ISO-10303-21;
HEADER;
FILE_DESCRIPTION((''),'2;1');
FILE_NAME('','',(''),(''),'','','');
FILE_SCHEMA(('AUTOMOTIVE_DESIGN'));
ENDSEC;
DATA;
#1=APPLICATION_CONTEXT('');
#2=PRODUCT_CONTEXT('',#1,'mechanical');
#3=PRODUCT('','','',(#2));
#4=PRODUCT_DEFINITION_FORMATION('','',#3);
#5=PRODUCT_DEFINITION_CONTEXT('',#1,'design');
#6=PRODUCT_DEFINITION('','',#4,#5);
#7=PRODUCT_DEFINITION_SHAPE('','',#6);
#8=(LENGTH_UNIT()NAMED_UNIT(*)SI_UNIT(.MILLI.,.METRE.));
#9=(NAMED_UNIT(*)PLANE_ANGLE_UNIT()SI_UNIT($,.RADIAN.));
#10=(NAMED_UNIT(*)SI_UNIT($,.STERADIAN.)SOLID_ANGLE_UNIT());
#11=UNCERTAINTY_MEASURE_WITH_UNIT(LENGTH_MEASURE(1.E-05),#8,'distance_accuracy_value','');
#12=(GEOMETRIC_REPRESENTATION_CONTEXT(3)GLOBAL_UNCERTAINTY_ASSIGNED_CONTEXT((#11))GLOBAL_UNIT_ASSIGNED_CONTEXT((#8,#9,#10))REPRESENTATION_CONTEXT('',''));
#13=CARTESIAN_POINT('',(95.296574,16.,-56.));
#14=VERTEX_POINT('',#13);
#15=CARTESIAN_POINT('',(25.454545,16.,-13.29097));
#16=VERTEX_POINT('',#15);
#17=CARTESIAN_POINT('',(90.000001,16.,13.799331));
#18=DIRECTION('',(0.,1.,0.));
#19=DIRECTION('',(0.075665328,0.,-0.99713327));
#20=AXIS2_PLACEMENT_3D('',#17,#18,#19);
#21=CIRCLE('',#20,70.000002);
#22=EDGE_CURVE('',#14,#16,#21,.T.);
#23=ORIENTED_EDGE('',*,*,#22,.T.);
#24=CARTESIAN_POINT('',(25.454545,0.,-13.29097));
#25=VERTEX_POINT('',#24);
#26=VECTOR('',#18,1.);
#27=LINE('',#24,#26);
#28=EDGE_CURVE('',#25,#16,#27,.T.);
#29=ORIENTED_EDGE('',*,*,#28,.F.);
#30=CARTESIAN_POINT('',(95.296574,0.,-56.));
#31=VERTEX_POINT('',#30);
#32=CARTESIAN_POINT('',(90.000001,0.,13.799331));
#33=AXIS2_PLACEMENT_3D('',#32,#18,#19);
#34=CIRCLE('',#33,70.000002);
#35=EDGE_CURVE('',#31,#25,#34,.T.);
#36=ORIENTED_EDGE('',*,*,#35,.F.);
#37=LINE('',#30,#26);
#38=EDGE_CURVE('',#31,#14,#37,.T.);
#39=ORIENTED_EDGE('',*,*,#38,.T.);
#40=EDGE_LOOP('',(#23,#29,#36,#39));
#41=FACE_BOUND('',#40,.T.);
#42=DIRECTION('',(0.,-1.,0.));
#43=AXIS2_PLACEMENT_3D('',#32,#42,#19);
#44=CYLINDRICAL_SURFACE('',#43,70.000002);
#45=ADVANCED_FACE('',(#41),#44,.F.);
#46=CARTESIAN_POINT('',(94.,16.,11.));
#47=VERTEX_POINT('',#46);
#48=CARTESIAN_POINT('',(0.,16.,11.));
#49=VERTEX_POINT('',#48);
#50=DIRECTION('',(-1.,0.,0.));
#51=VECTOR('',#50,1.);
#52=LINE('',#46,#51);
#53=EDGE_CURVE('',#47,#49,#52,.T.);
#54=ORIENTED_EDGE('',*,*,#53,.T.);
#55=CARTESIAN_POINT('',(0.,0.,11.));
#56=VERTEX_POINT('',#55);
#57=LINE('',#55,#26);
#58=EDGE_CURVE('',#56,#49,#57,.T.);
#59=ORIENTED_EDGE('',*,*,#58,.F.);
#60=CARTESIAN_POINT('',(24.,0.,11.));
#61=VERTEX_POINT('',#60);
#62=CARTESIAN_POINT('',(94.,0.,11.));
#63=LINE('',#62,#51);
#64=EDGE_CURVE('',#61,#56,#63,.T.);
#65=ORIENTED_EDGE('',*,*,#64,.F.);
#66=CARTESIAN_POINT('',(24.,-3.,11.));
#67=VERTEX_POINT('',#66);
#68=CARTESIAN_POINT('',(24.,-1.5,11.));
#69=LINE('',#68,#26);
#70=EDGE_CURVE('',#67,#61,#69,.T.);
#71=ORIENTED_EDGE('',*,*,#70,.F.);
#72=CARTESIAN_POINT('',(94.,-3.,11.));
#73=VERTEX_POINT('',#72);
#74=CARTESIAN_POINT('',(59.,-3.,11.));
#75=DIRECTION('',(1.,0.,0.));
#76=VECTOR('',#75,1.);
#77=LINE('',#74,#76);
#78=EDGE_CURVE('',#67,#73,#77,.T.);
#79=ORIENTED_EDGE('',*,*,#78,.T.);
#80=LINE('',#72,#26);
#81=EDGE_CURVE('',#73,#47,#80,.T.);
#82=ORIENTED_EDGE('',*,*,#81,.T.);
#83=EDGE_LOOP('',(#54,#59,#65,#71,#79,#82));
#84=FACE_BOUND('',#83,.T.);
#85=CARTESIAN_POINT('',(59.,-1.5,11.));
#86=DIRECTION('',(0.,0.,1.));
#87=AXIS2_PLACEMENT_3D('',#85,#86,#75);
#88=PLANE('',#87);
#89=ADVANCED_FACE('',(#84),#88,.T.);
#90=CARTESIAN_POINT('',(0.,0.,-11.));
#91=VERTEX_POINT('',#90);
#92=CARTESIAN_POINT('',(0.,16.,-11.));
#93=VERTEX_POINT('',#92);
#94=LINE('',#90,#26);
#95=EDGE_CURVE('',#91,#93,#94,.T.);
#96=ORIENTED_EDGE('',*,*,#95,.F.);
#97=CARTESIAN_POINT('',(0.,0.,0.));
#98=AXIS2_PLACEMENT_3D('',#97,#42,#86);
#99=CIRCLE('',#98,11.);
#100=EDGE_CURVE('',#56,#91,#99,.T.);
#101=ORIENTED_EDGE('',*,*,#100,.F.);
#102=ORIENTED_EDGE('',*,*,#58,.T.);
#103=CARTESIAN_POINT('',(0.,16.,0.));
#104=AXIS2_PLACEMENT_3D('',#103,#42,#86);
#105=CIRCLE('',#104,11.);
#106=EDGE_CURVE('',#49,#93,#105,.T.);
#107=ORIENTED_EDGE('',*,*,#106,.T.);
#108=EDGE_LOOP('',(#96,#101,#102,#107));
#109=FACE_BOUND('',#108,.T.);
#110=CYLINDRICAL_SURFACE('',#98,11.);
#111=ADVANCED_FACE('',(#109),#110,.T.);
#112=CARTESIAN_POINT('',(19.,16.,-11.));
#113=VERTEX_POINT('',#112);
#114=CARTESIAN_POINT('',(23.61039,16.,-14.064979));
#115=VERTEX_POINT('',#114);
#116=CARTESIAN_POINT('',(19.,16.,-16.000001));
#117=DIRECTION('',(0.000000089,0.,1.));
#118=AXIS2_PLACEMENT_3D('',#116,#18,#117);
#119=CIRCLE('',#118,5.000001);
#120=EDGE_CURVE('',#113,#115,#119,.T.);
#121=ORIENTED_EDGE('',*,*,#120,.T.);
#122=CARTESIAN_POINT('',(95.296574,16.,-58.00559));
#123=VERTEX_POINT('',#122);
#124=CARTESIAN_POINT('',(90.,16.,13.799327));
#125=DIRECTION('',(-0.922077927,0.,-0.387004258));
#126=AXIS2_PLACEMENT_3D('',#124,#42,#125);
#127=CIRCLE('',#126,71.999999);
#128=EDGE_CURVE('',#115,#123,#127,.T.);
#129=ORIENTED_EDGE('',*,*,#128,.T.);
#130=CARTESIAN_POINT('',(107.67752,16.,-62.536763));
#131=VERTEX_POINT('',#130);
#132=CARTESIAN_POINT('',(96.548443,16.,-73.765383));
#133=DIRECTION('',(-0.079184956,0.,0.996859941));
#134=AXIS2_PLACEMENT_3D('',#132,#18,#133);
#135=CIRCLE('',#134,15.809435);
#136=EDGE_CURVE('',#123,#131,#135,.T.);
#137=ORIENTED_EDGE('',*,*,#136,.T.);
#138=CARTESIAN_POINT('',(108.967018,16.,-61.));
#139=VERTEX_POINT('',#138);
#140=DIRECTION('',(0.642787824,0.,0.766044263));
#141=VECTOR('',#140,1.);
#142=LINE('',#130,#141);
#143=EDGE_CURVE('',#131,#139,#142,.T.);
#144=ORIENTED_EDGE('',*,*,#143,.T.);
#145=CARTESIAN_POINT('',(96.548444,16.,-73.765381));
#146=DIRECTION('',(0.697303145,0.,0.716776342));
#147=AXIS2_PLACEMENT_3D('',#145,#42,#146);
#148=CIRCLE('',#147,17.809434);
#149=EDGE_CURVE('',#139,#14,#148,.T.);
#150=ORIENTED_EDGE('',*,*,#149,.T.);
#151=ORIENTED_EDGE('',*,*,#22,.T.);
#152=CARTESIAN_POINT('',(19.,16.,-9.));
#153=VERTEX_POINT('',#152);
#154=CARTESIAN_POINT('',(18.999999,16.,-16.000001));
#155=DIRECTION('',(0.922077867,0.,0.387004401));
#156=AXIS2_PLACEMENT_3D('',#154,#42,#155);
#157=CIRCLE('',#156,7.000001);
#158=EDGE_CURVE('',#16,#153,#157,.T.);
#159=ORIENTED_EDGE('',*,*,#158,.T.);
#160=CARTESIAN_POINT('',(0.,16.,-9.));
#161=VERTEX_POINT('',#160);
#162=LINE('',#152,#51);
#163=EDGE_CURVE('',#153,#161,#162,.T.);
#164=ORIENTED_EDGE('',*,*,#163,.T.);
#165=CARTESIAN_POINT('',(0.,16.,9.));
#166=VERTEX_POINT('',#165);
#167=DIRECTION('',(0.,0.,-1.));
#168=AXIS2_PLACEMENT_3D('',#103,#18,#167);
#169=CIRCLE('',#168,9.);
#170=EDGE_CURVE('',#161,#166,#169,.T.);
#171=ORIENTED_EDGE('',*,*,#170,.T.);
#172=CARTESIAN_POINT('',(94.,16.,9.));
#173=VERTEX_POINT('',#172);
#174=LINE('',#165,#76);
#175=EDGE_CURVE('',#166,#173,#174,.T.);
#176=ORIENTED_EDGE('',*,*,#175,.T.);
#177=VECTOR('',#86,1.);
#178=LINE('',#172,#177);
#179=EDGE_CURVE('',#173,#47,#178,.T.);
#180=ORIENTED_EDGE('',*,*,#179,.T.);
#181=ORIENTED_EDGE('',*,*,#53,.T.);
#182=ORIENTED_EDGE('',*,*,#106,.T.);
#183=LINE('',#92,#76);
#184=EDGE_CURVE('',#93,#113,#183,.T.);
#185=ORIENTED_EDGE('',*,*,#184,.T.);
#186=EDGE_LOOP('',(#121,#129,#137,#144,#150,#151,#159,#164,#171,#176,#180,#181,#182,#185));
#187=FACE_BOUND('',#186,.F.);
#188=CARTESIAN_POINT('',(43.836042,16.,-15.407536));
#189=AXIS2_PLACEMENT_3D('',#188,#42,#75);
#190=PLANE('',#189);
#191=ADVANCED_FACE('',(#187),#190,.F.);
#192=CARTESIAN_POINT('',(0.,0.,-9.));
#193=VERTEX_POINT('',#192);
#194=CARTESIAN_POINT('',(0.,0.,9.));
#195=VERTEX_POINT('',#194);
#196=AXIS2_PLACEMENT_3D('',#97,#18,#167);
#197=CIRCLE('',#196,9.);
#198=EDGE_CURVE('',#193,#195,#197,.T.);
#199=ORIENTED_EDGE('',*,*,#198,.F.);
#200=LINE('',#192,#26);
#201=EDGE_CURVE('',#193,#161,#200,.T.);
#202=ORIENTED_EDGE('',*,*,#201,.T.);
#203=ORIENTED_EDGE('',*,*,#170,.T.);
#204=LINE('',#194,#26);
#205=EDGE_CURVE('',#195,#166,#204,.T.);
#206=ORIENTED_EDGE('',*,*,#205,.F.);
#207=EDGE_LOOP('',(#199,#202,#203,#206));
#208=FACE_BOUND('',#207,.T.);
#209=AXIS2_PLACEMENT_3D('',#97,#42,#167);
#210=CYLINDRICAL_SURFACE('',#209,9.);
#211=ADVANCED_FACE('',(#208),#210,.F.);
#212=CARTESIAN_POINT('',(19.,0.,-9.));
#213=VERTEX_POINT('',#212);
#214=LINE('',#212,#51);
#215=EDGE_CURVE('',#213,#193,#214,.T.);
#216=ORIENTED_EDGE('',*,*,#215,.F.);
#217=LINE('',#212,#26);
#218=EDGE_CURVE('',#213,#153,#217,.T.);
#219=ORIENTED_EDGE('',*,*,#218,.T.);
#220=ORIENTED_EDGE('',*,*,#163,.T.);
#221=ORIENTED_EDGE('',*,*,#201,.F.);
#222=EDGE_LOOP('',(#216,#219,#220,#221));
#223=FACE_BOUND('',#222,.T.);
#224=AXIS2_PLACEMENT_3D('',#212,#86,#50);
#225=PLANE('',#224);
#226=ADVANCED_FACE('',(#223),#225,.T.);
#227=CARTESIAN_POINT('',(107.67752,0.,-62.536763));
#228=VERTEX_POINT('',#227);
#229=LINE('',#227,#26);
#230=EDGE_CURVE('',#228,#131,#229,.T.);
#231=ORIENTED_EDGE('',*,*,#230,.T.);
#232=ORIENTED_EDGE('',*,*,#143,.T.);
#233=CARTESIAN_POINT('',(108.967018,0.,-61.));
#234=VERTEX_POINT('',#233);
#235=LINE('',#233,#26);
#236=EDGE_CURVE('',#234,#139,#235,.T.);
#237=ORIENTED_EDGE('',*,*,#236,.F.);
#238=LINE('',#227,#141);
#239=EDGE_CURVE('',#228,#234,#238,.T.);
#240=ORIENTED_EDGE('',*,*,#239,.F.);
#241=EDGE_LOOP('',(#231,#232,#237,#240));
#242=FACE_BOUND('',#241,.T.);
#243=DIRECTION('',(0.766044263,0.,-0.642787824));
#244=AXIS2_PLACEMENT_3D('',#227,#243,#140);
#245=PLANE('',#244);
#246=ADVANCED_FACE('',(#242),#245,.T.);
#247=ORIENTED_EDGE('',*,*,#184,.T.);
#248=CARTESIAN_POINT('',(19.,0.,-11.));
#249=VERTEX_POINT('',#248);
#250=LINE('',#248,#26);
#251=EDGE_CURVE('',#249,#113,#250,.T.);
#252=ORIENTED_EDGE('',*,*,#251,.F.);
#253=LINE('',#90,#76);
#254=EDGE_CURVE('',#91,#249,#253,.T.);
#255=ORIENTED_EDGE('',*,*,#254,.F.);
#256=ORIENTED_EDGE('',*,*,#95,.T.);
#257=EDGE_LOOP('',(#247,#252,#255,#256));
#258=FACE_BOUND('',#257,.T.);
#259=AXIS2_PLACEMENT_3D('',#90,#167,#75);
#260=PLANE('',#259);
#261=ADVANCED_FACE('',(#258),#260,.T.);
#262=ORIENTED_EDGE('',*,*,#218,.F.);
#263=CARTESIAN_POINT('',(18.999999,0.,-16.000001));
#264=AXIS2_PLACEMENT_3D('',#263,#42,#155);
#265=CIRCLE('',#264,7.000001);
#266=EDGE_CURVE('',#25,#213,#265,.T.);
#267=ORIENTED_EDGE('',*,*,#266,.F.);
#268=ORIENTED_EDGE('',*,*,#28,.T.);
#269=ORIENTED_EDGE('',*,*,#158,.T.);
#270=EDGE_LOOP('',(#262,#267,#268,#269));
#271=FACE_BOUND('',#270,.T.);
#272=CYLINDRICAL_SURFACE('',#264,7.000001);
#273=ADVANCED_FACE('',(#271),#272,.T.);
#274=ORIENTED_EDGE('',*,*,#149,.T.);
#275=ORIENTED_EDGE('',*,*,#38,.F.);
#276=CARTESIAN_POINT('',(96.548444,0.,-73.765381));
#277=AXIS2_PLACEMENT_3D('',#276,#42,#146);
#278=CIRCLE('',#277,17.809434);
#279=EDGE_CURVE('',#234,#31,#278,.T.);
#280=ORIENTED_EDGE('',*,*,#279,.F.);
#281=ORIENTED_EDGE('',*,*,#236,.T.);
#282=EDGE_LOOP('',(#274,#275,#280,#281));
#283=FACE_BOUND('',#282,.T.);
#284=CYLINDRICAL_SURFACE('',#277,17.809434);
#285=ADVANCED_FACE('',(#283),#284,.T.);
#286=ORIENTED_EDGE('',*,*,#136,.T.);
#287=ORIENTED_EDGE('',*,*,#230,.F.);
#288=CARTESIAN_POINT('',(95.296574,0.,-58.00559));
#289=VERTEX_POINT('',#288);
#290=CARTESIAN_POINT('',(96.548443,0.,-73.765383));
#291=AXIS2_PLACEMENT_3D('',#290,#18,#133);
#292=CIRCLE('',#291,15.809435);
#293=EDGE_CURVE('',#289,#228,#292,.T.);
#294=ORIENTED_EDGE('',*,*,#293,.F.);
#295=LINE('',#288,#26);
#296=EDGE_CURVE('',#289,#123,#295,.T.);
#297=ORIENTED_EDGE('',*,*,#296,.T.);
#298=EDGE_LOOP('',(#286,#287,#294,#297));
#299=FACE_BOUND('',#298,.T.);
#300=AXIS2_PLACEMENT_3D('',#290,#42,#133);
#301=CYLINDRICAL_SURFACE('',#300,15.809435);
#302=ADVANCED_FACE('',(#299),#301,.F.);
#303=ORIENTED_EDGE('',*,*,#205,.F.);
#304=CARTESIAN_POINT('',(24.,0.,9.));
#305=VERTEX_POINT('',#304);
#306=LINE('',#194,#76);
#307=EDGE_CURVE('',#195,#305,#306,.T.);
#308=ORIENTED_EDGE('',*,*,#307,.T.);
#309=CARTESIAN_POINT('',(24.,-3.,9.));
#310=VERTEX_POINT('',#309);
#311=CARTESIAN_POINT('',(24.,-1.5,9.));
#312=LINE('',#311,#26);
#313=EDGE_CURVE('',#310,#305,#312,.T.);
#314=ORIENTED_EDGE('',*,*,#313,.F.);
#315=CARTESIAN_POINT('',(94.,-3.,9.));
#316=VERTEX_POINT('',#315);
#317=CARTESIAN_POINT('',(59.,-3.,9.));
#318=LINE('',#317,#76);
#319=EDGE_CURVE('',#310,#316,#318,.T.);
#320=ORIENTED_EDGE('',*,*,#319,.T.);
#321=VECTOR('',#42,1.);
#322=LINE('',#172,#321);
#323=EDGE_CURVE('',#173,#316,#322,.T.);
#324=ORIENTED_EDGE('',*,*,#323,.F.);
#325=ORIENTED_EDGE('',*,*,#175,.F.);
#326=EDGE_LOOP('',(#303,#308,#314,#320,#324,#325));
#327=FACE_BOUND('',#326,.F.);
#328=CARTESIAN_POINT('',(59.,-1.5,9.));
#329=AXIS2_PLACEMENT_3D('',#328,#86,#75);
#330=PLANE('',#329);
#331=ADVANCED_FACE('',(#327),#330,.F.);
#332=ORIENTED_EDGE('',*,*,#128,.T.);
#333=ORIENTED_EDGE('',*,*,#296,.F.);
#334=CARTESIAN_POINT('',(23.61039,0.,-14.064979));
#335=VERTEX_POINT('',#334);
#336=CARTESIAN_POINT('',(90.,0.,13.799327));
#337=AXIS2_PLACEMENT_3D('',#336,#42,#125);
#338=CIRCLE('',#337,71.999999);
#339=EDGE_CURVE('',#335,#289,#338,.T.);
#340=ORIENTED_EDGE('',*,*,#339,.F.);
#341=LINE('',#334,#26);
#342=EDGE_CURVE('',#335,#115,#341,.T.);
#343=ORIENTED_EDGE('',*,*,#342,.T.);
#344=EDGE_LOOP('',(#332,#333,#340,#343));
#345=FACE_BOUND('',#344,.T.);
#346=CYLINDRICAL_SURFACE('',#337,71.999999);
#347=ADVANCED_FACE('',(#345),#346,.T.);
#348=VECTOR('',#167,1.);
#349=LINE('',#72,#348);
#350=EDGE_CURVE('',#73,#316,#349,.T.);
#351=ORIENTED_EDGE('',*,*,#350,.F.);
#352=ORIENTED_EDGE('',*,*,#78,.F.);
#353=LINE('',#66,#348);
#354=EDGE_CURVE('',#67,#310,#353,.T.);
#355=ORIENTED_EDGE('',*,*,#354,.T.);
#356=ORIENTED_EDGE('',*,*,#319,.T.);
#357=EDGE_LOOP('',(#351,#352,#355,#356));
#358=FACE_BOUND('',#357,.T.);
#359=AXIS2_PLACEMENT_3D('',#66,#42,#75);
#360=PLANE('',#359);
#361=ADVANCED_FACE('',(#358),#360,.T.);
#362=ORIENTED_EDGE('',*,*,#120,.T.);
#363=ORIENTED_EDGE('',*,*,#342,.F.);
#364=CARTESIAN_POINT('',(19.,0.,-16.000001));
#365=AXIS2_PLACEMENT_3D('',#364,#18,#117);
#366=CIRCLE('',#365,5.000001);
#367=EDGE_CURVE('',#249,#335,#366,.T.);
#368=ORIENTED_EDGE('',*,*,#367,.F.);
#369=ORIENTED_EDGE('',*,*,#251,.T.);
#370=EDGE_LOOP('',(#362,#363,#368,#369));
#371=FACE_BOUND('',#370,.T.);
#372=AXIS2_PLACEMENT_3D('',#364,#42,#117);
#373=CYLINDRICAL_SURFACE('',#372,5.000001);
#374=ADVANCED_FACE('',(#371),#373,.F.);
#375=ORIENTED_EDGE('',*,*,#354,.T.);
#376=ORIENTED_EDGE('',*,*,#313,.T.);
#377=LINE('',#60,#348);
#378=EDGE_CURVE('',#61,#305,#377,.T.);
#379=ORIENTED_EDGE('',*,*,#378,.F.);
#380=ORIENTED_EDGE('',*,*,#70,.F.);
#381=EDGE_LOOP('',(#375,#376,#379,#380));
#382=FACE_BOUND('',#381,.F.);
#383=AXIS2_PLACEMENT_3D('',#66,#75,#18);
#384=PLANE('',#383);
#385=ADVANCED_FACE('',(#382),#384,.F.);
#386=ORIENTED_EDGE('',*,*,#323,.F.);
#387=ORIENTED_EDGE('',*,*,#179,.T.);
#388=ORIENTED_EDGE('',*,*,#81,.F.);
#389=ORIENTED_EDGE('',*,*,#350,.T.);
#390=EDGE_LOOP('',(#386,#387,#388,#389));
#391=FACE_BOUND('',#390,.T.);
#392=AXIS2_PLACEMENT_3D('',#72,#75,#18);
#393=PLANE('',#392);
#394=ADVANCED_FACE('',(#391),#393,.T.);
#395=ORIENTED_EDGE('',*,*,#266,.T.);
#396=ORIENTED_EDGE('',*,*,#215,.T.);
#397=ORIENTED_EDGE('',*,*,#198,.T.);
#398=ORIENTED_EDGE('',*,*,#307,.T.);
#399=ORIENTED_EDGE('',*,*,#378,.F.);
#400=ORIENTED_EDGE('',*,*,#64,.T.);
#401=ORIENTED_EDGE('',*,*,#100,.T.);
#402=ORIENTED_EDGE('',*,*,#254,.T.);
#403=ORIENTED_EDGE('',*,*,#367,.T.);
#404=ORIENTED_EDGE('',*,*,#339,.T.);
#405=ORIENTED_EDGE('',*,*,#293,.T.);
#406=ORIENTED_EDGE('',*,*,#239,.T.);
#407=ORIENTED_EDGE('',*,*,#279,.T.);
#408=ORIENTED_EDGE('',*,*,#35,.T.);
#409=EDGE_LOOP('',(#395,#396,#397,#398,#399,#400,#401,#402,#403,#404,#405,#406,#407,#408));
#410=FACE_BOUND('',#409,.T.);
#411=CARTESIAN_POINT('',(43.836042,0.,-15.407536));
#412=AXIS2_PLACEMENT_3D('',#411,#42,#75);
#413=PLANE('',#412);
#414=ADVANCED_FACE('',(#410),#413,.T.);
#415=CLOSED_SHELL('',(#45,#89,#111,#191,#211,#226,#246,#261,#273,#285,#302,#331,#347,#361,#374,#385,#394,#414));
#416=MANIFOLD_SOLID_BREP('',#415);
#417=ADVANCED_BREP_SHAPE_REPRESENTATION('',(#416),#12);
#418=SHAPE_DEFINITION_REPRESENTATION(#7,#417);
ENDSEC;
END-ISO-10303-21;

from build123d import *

# Parameters (mm, degrees)
F1_DEPTH = 16
F2_W     = 70
F2_H     = 3
F3_DEPTH = 2


with BuildPart() as f1:
    # F0 (on Front) → F1 (new body)
    with BuildSketch(Plane.XZ):
        with BuildLine():
            Line((94, 11), (0, 11))
            ThreePointArc((0, 11), (-11, 0), (0, -11))
            Line((0, -11), (19, -11))
            ThreePointArc((19, -11), (21.768112, -11.836161), (23.61039, -14.064979))
            ThreePointArc((23.61039, -14.064979), (52.373093, -47.586467), (95.296574, -58.00559))
            ThreePointArc((95.296574, -58.00559), (101.981922, -58.918984), (107.67752, -62.536763))
            Line((107.67752, -62.536763), (108.967018, -61))
            ThreePointArc((108.967018, -61), (102.665945, -57.039589), (95.296574, -56))
            ThreePointArc((95.296574, -56), (53.4812, -45.919824), (25.454545, -13.29097))
            ThreePointArc((25.454545, -13.29097), (22.875357, -10.170626), (19, -9))
            Line((19, -9), (0, -9))
            ThreePointArc((0, -9), (-9, 0), (0, 9))
            Line((0, 9), (94, 9))
            Line((94, 9), (94, 11))
        make_face()
    extrude(amount=-F1_DEPTH)

    # F2 (on face) → F3 (join)
    with BuildSketch(Plane.XY.offset(11)):
        with Locations((59, -1.5)):
            Rectangle(F2_W, F2_H)
    extrude(amount=-F3_DEPTH)


solid = f1.part
